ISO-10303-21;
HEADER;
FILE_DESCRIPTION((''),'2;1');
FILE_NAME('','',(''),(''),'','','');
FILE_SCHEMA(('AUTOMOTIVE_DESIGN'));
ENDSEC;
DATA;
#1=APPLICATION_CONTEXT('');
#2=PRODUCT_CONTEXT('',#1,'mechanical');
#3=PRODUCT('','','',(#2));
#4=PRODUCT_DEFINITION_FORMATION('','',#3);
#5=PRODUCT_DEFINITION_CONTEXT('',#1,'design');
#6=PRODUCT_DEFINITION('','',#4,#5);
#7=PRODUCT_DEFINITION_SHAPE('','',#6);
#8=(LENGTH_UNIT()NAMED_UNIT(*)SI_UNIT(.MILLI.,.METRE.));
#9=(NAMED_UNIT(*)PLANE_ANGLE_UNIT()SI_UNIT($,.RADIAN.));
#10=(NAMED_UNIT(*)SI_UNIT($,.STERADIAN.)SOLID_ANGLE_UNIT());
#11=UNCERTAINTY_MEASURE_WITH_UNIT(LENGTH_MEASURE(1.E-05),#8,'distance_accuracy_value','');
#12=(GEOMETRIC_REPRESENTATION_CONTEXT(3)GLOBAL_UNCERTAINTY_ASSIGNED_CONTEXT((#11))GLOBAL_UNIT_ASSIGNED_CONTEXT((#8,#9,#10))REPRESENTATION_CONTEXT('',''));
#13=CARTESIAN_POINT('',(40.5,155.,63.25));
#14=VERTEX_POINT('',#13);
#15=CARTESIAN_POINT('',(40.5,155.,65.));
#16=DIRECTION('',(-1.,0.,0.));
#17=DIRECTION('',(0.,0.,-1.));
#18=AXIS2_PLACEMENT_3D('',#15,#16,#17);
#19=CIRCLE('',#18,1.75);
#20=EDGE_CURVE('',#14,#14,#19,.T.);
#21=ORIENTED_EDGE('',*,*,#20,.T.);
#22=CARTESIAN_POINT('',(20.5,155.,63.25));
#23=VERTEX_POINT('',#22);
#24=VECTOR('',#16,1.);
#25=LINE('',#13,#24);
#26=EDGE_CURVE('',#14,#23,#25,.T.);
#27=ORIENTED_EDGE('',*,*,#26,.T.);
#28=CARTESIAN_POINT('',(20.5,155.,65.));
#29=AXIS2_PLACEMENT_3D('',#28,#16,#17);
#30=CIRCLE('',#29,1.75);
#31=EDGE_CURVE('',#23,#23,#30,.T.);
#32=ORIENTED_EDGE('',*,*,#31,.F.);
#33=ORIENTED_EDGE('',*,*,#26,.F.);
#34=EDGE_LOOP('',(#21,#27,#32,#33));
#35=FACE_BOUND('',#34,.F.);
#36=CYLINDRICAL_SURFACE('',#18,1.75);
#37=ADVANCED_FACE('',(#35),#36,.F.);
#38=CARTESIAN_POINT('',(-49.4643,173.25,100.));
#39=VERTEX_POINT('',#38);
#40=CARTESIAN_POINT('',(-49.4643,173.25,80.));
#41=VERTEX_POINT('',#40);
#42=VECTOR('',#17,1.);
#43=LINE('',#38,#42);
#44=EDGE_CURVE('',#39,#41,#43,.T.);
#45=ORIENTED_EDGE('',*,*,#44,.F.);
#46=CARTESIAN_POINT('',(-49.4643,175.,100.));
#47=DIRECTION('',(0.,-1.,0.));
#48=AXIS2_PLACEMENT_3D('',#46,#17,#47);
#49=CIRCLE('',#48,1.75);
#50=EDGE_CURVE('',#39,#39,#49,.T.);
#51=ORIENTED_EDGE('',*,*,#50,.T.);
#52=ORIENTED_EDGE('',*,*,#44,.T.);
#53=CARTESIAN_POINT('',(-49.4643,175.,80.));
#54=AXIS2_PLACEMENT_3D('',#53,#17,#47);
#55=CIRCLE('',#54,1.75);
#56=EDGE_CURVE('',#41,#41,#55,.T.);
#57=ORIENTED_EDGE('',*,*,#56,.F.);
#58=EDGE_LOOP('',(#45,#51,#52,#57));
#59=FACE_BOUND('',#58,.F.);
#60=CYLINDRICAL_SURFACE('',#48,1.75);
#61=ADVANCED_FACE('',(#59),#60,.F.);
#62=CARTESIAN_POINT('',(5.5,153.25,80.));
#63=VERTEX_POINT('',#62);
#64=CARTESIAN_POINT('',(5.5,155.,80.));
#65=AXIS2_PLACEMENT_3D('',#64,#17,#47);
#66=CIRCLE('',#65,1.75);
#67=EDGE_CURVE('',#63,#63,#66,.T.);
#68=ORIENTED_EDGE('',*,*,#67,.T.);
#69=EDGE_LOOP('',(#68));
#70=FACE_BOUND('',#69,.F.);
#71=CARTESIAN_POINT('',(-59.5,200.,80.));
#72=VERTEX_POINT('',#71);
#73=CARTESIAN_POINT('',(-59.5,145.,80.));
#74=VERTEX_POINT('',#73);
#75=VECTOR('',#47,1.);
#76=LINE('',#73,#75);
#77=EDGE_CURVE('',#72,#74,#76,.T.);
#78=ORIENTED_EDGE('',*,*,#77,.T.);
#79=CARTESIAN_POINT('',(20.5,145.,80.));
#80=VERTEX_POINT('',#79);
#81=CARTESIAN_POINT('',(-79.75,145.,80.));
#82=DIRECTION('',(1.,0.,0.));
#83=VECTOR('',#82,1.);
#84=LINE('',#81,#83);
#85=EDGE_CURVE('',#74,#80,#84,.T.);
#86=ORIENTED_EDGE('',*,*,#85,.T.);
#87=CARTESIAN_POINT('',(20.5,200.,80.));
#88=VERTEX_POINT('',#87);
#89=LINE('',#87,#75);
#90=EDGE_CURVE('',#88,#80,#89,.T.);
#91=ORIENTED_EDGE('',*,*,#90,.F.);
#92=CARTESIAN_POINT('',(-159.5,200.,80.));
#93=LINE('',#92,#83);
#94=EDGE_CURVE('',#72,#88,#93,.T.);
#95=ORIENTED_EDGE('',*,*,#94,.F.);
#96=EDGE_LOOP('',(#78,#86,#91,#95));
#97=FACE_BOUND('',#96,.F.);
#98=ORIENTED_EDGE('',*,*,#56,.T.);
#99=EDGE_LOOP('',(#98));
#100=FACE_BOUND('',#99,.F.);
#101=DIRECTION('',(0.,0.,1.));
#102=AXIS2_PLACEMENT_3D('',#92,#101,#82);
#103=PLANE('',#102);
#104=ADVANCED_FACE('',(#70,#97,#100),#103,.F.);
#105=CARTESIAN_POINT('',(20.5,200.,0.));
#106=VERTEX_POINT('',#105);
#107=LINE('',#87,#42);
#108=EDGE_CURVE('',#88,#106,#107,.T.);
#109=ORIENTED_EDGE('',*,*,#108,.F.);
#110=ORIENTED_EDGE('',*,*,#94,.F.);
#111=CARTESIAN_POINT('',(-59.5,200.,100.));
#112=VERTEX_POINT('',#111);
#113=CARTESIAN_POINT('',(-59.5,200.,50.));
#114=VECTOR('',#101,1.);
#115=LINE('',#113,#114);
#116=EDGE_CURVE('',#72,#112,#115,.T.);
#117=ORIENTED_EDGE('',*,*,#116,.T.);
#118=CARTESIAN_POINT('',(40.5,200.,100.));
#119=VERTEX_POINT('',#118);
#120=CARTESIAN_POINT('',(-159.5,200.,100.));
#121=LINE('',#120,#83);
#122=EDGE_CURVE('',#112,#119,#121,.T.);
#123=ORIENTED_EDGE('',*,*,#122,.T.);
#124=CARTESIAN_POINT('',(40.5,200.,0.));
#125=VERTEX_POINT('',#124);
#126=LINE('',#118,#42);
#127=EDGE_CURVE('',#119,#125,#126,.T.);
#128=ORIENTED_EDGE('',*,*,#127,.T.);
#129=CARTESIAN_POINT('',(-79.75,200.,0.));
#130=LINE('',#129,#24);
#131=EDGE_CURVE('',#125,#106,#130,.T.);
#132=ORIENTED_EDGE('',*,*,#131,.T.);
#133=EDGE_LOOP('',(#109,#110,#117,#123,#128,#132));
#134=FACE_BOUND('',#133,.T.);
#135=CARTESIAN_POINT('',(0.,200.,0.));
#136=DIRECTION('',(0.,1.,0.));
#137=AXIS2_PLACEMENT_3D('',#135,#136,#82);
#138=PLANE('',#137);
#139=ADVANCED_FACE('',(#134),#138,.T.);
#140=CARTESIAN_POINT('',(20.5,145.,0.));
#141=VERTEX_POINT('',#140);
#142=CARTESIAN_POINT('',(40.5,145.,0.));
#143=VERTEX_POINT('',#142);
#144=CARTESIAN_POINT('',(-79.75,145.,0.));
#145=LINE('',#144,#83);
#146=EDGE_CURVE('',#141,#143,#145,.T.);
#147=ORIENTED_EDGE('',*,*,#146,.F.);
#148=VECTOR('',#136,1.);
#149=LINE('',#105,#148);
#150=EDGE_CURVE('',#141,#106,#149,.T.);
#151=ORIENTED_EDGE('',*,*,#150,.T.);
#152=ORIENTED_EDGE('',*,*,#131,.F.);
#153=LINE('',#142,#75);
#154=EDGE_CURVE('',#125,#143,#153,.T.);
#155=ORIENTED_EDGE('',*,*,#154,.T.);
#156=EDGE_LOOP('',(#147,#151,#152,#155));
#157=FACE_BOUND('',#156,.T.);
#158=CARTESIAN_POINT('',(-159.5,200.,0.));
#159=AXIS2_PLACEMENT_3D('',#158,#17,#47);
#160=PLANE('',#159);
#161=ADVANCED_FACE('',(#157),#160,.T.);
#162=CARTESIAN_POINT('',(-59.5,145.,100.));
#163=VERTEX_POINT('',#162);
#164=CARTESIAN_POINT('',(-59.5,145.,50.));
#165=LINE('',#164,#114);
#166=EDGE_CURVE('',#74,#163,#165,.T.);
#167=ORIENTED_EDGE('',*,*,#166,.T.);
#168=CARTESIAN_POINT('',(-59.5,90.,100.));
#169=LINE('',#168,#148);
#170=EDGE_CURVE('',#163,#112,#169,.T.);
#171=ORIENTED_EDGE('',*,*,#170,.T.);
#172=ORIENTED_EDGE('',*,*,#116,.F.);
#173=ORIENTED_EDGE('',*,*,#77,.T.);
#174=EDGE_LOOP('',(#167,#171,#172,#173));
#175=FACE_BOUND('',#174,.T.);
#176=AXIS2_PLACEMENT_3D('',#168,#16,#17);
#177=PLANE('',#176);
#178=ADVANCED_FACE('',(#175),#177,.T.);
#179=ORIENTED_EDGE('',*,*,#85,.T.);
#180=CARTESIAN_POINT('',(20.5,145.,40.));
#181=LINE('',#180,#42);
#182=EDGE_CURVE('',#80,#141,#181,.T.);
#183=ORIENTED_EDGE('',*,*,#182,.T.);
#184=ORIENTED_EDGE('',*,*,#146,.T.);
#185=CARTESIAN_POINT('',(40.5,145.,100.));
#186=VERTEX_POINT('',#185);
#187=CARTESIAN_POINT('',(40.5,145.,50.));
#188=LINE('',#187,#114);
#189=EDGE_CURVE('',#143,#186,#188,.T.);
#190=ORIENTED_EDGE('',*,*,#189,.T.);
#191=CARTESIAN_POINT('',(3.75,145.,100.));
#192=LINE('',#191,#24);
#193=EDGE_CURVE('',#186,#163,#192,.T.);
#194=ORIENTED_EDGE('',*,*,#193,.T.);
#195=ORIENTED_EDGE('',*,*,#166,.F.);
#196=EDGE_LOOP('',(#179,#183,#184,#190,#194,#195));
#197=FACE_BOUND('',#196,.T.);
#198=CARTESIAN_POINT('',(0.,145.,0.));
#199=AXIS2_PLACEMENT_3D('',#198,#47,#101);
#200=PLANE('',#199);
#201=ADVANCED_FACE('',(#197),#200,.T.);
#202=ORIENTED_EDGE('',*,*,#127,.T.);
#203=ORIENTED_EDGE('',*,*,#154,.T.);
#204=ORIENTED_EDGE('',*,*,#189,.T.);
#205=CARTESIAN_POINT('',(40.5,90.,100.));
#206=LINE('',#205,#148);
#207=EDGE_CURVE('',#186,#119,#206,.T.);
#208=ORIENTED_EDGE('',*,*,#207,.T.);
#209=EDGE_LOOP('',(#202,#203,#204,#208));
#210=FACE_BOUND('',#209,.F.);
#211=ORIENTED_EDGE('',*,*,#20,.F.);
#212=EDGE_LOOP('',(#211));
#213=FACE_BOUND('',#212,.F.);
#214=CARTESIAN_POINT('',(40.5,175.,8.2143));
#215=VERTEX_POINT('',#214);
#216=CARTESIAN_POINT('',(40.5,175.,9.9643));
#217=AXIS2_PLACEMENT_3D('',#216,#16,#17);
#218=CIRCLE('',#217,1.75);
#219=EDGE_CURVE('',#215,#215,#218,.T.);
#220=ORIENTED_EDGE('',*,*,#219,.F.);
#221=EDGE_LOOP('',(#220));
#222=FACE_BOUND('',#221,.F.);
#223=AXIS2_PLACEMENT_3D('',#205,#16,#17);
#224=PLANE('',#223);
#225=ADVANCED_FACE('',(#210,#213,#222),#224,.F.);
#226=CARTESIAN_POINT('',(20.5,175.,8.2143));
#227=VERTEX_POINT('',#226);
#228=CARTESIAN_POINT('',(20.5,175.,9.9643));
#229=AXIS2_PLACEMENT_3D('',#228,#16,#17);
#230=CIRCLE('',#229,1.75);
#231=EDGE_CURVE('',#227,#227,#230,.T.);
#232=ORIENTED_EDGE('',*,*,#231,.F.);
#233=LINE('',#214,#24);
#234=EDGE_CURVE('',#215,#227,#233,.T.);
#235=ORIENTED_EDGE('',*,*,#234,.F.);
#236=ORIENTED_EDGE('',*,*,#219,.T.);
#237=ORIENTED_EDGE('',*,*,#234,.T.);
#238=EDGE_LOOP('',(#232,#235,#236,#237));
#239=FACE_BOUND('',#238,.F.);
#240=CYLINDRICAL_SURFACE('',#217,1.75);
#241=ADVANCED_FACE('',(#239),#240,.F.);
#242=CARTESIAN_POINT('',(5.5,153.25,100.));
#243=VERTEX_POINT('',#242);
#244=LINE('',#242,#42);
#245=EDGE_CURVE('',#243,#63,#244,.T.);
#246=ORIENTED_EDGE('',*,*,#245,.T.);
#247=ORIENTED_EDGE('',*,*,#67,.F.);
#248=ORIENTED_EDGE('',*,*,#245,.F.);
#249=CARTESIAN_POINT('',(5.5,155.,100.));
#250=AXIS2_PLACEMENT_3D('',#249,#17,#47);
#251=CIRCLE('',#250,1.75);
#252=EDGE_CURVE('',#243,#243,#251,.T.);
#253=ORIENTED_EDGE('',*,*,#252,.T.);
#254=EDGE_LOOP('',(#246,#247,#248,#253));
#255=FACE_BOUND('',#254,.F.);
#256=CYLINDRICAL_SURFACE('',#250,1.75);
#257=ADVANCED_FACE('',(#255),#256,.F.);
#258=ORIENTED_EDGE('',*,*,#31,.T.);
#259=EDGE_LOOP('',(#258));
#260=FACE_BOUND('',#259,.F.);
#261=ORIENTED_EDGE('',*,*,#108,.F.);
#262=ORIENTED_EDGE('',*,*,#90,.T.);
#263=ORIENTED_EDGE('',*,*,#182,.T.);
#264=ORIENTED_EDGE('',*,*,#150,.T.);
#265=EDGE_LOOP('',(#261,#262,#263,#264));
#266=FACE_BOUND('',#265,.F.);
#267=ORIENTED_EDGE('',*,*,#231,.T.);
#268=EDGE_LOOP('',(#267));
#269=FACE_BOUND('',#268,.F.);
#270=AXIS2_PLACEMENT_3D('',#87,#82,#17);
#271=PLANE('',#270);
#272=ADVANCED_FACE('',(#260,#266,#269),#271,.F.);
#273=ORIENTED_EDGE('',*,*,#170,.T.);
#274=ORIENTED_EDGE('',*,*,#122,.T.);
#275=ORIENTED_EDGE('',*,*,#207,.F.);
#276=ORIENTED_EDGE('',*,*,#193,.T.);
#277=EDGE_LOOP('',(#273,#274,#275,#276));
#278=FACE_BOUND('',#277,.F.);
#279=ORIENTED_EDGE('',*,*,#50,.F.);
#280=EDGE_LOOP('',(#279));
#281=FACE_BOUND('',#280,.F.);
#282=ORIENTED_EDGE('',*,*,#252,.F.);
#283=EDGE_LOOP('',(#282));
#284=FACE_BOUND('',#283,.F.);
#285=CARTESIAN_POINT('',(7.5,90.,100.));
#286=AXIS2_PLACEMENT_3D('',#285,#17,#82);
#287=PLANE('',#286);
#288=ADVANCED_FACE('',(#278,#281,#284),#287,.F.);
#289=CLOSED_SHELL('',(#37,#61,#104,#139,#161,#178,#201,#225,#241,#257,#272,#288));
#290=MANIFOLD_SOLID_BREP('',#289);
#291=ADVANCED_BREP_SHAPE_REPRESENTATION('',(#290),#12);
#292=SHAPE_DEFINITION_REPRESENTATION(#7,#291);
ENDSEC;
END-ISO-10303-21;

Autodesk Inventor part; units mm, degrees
ref_plane "YZ Plane" through (0, 0, 0) normal (1, 0, 0) x (0, 1, 0)
ref_plane "XZ Plane" through (0, 0, 0) normal (0, 1, 0) x (-1, 0, 0)
ref_plane "XY Plane" through (0, 0, 0) normal (0, 0, 1) x (1, 0, 0)
sketch "Boceto2" plane through (0, 0, 0) normal (0, 1, 0) x (-1, 0, 0)
  line L0 (7.5, 100) -> (-7.5, 100)
  line L1 (-7.5, 100) -> (-7.5, -100)
  line L2 (-7.5, -100) -> (7.5, -100)
  line L3 (7.5, -100) -> (7.5, 100)
  line L4 (7.5, 100) -> (-7.5, -100) construction
  line L5 (-7.5, 100) -> (7.5, -100) construction
  point P0 (0, 0)
  dimension "d7" = 15
  dimension "d8" = 200
extrude "Extrusión1" add sketch "Boceto2" along normal blind 10
sketch "Boceto3" plane through (0, 10, 0) normal (0, 1, 0) x (1, 0, 0)
  line L0 (5, 60) -> (-5, 60)
  line L1 (-5, 60) -> (-5, 70)
  line L2 (-5, 70) -> (5, 70)
  line L3 (5, 70) -> (5, 60)
  line L4 (5, 60) -> (-5, 70) construction
  line L5 (7.5, 100) -> (-7.5, 100) projected
  line L6 (0, 64.5148) -> (0, 61.9205)
  circle A0 centre (3.25, 61.75) radius 1.75
  circle A1 centre (-3.25, 68.25) radius 1.75
  line L7 (-7.5, 100) -> (-7.5, -100) projected
  line L8 (-7.5, 0) -> (0, 0)
  line L9 (5, -70) -> (5, -60)
  line L10 (-5, -70) -> (5, -70)
  line L11 (5, -60) -> (-5, -60)
  line L12 (-5, -60) -> (-5, -70)
  line L13 (5, -60) -> (-5, -70) construction
  line L14 (0, -64.5148) -> (0, -61.9205)
  circle A2 centre (-3.25, -68.25) radius 1.75
  circle A3 centre (3.25, -61.75) radius 1.75
  point P0 (3.25, 68.25)
  point P1 (-5, 65)
  point P2 (-3.25, 61.75)
  point P3 (0, 100)
  point P4 (3.25, -68.25)
  point P5 (-3.25, -61.75)
  point P6 (-5, -65)
  dimension "d12" = 1.75
  dimension "d13" = 1.75
  dimension "d14" = 1.75
  dimension "d15" = 1.75
  dimension "d16" = 10
  dimension "d17" = 10
  dimension "d19" = 30
  dimension "d67" = 31.75
hole "Agujero1" at (3.25, 10, -61.75) at (-3.25, 10, -68.25) at (-3.25, 10, 68.25) at (3.25, 10, 61.75) direction (0, -1, 0) diameter 3.5 end through all
sketch "Boceto4" plane through (0, 10, 0) normal (0, 1, 0) x (1, 0, 0)
  line L0 (-7.5, 100) -> (-7.5, -100) projected
  line L1 (-7.5, -100) -> (7.5, -100)
  line L2 (7.5, -100) -> (7.5, -80)
  line L3 (7.5, -80) -> (-7.5, -80)
  line L4 (-7.5, -80) -> (-7.5, -100)
  line L5 (-7.5, 0) -> (1.0116, 0)
  line L6 (-7.5, -100) -> (-7.5, 100)
  line L7 (-7.5, 100) -> (7.5, 100)
  line L8 (7.5, 100) -> (7.5, 80)
  line L9 (7.5, 80) -> (-7.5, 80)
  line L10 (-7.5, 80) -> (-7.5, 100)
  point P0 (0, 0)
  point P1 (-7.5, -80)
  point P2 (-7.5, 80)
  dimension "d27" = 15
  dimension "d28" = 20
extrude "Extrusión2" add sketch "Boceto4" along normal blind 80
sketch "Boceto5" plane through (0, 90, 0) normal (0, 1, 0) x (1, 0, 0)
  line L0 (-7.5, -100) -> (7.5, -100) projected
  line L1 (-7.5, -100) -> (40.5, -100)
  line L2 (40.5, -100) -> (40.5, 100)
  line L3 (40.5, 100) -> (-7.5, 100)
  line L4 (-7.5, 100) -> (-7.5, -100)
  line L5 (40.5, -100) -> (-159.5, -100)
  line L6 (-159.5, -100) -> (-159.5, 100)
  line L7 (-159.5, 100) -> (40.5, 100)
  line L8 (40.5, 100) -> (40.5, -100)
  point P0 (0, 0)
  point P1 (-7.5, 100)
  dimension "d31" = 48
  dimension "d32" = 200
  dimension "d74" = 200
extrude "Extrusión3" add sketch "Boceto5" along normal blind 110
sketch "Boceto6" plane through (0, 200, 0) normal (0, 1, 0) x (1, 0, 0)
  line L0 (40.5, 100) -> (7.5, 100) projected
  line L1 (40.5, 100) -> (20.5, 100)
  line L2 (20.5, 100) -> (20.5, 80)
  line L3 (7.5, -100) -> (40.5, -100) projected
  line L4 (24, -100) -> (24, -80)
  line L5 (-159.5, 100) -> (-159.5, -100) projected
  line L6 (20.5, 80) -> (-159.5, 80)
  line L7 (-159.5, 80) -> (-159.5, -80)
  line L8 (-159.5, -80) -> (20.5, -80)
  line L9 (20.5, -80) -> (20.5, 80)
  line L10 (-159.5, -100) -> (40.5, -100) projected
  point P0 (7.5, 80)
  point P1 (-159.5, 80)
  dimension "d36" = 20
  dimension "d37" = 20
  dimension "d38" = 20
  dimension "d78" = 20
extrude "Extrusión4" cut sketch "Boceto6" against normal blind 90
sketch "Boceto7" plane through (-159.5, 90, -100) normal (-1, 0, 0) x (0, 0, 1)
  line L0 (0, 110) -> (20, 110) projected
  line L1 (20, 110) -> (10, 110)
  line L2 (10, 110) -> (10, 20)
  line L3 (10, 20) -> (20, 20)
  line L4 (20, 20) -> (20, 110)
  line L5 (180, 110) -> (180, 20) projected
  line L6 (180, 110) -> (190, 110)
  line L7 (190, 110) -> (190, 20)
  line L8 (190, 20) -> (180, 20)
  line L9 (180, 20) -> (180, 110)
  line L10 (200, 0) -> (200, 110) projected
  line L11 (0, 0) -> (0, 110) projected
  line L12 (0, 110) -> (10, 110)
  line L13 (10, 110) -> (10, 20)
  line L14 (10, 20) -> (0, 20)
  line L15 (0, 20) -> (0, 110)
  line L16 (200, 110) -> (0, 110) projected
  line L17 (200, 110) -> (190, 110)
  line L18 (190, 110) -> (190, 20)
  line L19 (190, 20) -> (200, 20)
  line L20 (200, 20) -> (200, 110)
  point P0 (100, -90)
  point P1 (200, 20)
  dimension "d42" = 10
  dimension "d63" = 10
  dimension "d65" = 10
extrude "Extrusión5" cut sketch "Boceto7" against normal blind 30 contours L0 L2 L14 L11 | L16 L10 L19 L7
sketch "Boceto8" plane through (-7.5, 0, 100) normal (0, 0, 1) x (1, 0, 0)
  line L0 (-122, 200) -> (-122, 110) projected
  line L1 (-132, 175) -> (-142, 175)
  line L2 (-142, 175) -> (-142, 185)
  line L3 (-142, 185) -> (-132, 185)
  line L4 (-132, 185) -> (-132, 175)
  line L5 (-132, 175) -> (-142, 185) construction
  line L6 (-142, 175) -> (-132, 185) construction
  line L7 (-152, 200) -> (48, 200) projected
  line L8 (-113, 155) -> (-128, 155)
  line L9 (-152, 110) -> (-122, 110) projected
  line L10 (-132, 180) -> (-131.5898, 180)
  circle A0 centre (-140.25, 183.25) radius 1.75
  circle A1 centre (-133.75, 176.75) radius 1.75
  line L11 (-132, 125) -> (-132, 135)
  line L12 (-142, 125) -> (-132, 125)
  line L13 (-132, 135) -> (-142, 125) construction
  line L14 (-132, 135) -> (-142, 135)
  line L15 (-142, 135) -> (-132, 125) construction
  line L16 (-142, 135) -> (-142, 125)
  line L17 (-132, 130) -> (-131.5898, 130)
  circle A2 centre (-133.75, 133.25) radius 1.75
  circle A3 centre (-140.25, 126.75) radius 1.75
  line L18 (-152, 110) -> (-152, 200) projected
  point P0 (7.5, 0)
  point P1 (-113, 215)
  point P2 (-133.75, 183.25)
  point P3 (-142, 180)
  point P4 (-140.25, 176.75)
  point P5 (48, 200)
  point P6 (-133.75, 126.75)
  point P7 (-140.25, 133.25)
  point P8 (-143, 115)
  point P9 (-133.75, 126.75)
  point P10 (-140.25, 133.25)
  point P11 (-142, 130)
  dimension "d46" = 1.75
  dimension "d47" = 1.75
  dimension "d48" = 1.75
  dimension "d49" = 1.75
  dimension "d50" = 10
  dimension "d51" = 10
  dimension "d52" = 15
  dimension "d66" = 10
  dimension "d70" = 15
hole "Agujero2" at (-147.75, 183.25, 100) at (-141.25, 176.75, 100) at (-147.75, 126.75, 100) at (-141.25, 133.25, 100) direction (0, 0, -1) diameter 3.5 end through all
ref_plane "Plano de trabajo1" through (-159.5, 90, 100) normal (0, -1, 0) x (1, 0, 0)
split "Dividir1" plane through (-159.5, 90, 100) removes the side toward (0, -1, 0)
ref_plane "Plano de trabajo2" through (-159.5, 200, 0) normal (0, 0, 1) x (1, 0, 0)
ref_plane "Plano de trabajo3" through (-59.5, 90, 100) normal (1, 0, 0) x (0, 0, -1)
sketch "Boceto9" plane through (-159.5, 90, 100) normal (0, 0, 1) x (1, 0, 0)
  line L0 (85.0357, 30) -> (115.0357, 30)
  circle A0 centre (110.0357, 25) radius 1.75
  line L1 (90.0357, 25) -> (110.0357, 25)
  line L2 (115.0357, 30) -> (115.0357, 20)
  circle A1 centre (90.0357, 25) radius 1.75
  line L3 (85.0357, 20) -> (115.0357, 30) construction
  line L4 (85.0357, 30) -> (115.0357, 20) construction
  line L5 (85.0357, 20) -> (85.0357, 30)
  line L6 (115.0357, 20) -> (85.0357, 20)
  line L7 (240, 0) -> (-40, 0) projected
  line L8 (200, 0) -> (200, 110) projected
  line L9 (200, 55) -> (88.2857, 55)
  line L10 (85.0357, 80) -> (115.0357, 80)
  circle A2 centre (110.0357, 85) radius 1.75
  line L11 (90.0357, 85) -> (110.0357, 85)
  line L12 (115.0357, 80) -> (115.0357, 90)
  circle A3 centre (90.0357, 85) radius 1.75
  line L13 (85.0357, 90) -> (115.0357, 80) construction
  line L14 (85.0357, 80) -> (115.0357, 90) construction
  line L15 (85.0357, 90) -> (85.0357, 80)
  line L16 (115.0357, 90) -> (85.0357, 90)
  line L17 (100.0357, 55) -> (185.099, 55) construction
  line L18 (160, 70) -> (160, 40)
  circle A4 centre (165, 45) radius 1.75
  line L19 (165, 65) -> (165, 45)
  line L20 (160, 40) -> (170, 40)
  circle A5 centre (165, 65) radius 1.75
  line L21 (170, 70) -> (160, 40) construction
  line L22 (160, 70) -> (170, 40) construction
  line L23 (170, 70) -> (160, 70)
  line L24 (170, 40) -> (170, 70)
  circle A6 centre (55, 65) radius 1.75
  line L25 (60, 70) -> (60, 40)
  line L26 (60, 70) -> (50, 40) construction
  line L27 (50, 70) -> (60, 70)
  line L28 (50, 40) -> (50, 70)
  line L29 (50, 70) -> (60, 40) construction
  circle A7 centre (55, 45) radius 1.75
  line L30 (55, 65) -> (55, 45)
  line L31 (60, 40) -> (50, 40)
  line L32 (30, 110) -> (30, 20) projected
  point P0 (159.5, -90)
  point P1 (100.0357, 34.7141)
  point P2 (85.0357, 36.6749)
  point P3 (100.0357, 34.7141)
  point P4 (115.0357, 25)
  point P5 (115.0357, 85)
  point P6 (189.1833, 40)
  point P7 (165, 70)
  point P8 (70.0357, 40)
  point P9 (55, 70)
  dimension "d83" = 10
  dimension "d84" = 30
  dimension "d85" = 5
  dimension "d86" = 5
  dimension "d87" = 5
  dimension "d88" = 5
  dimension "d89" = 20
  dimension "d91" = 30
  dimension "d92" = 5
  dimension "d93" = 5
  dimension "d94" = 3.5
  dimension "d95" = 5
  dimension "d96" = 5
  dimension "d97" = 5
  dimension "d98" = 5
  dimension "d99" = 5
  dimension "d100" = 20
ref_plane "Plano de trabajo4" through (0, 145, 0) normal (0, 1, 0) x (1, 0, 0)
hole "Agujero3" at (-104.5, 155, 100) at (-69.4643, 175, 100) at (-49.4643, 175, 100) at (-104.5, 135, 100) at (-69.4643, 115, 100) at (-49.4643, 115, 100) at (5.5, 135, 100) at (5.5, 155, 100) direction (0, 0, -1) diameter 3.5 end through all
sketch "Boceto10" plane through (40.5, 90, 100) normal (1, 0, 0) x (0, 0, -1)
  line L0 (85.0357, 30) -> (115.0357, 30)
  circle A0 centre (110.0357, 25) radius 1.75
  line L1 (90.0357, 25) -> (110.0357, 25)
  line L2 (115.0357, 30) -> (115.0357, 20)
  circle A1 centre (90.0357, 25) radius 1.75
  line L3 (85.0357, 20) -> (115.0357, 30) construction
  line L4 (85.0357, 30) -> (115.0357, 20) construction
  line L5 (85.0357, 20) -> (85.0357, 30)
  line L6 (115.0357, 20) -> (85.0357, 20)
  circle A2 centre (90.0357, 85) radius 1.75
  line L7 (85.0357, 80) -> (115.0357, 80)
  line L8 (85.0357, 80) -> (115.0357, 90) construction
  line L9 (85.0357, 90) -> (85.0357, 80)
  line L10 (115.0357, 90) -> (85.0357, 90)
  line L11 (85.0357, 90) -> (115.0357, 80) construction
  circle A3 centre (110.0357, 85) radius 1.75
  line L12 (90.0357, 85) -> (110.0357, 85)
  line L13 (115.0357, 80) -> (115.0357, 90)
  line L14 (160, 70) -> (160, 40)
  circle A4 centre (165, 45) radius 1.75
  line L15 (170, 40) -> (170, 70)
  line L16 (170, 70) -> (160, 40) construction
  line L17 (160, 40) -> (170, 40)
  line L18 (160, 70) -> (170, 40) construction
  circle A5 centre (165, 65) radius 1.75
  line L19 (165, 65) -> (165, 45)
  line L20 (170, 70) -> (160, 70)
  circle A6 centre (35, 65) radius 1.75
  line L21 (40, 70) -> (40, 40)
  line L22 (40, 40) -> (30, 40)
  circle A7 centre (35, 45) radius 1.75
  line L23 (35, 65) -> (35, 45)
  line L24 (40, 70) -> (30, 40) construction
  line L25 (30, 40) -> (30, 70)
  line L26 (30, 70) -> (40, 40) construction
  line L27 (30, 70) -> (40, 70)
  line L28 (0, 0) -> (0, 110) projected
  line L29 (200, 0) -> (200, 110) projected
  point P0 (100, -90)
  point P1 (100.0357, 34.7141)
  point P2 (100.0357, 34.7141)
  point P3 (85.0357, 36.6749)
  point P4 (115.0357, 25)
  point P5 (88.2857, 55)
  point P6 (115.0357, 85)
  point P7 (100.0357, 55)
  point P8 (189.1833, 40)
  point P9 (165, 70)
  point P10 (70.0357, 40)
  point P11 (35, 70)
  dimension "d108" = 10
  dimension "d109" = 30
  dimension "d110" = 5
  dimension "d111" = 5
  dimension "d112" = 5
  dimension "d113" = 5
  dimension "d114" = 5
  dimension "d115" = 5
  dimension "d116" = 3.5
  dimension "d117" = 5
  dimension "d118" = 5
  dimension "d119" = 5
  dimension "d120" = 5
  dimension "d121" = 5
  dimension "d122" = 30
  dimension "d123" = 30
hole "Agujero4" at (40.5, 175, 9.9643) at (40.5, 175, -10.0357) at (40.5, 155, 65) at (40.5, 135, 65) at (40.5, 115, 9.9643) at (40.5, 115, -10.0357) at (40.5, 135, -65) at (40.5, 155, -65) direction (-1, 0, 0) diameter 3.5 end through all
split "Dividir2" plane through (-59.5, 90, 100) removes the side toward (-1, 0, 0)
split "Dividir3" plane through (0, 145, 0) removes the side toward (0, -1, 0)
split "Dividir4" plane through (-159.5, 200, 0) removes the side toward (0, 0, -1)
properties part number "container_back_head_6"
